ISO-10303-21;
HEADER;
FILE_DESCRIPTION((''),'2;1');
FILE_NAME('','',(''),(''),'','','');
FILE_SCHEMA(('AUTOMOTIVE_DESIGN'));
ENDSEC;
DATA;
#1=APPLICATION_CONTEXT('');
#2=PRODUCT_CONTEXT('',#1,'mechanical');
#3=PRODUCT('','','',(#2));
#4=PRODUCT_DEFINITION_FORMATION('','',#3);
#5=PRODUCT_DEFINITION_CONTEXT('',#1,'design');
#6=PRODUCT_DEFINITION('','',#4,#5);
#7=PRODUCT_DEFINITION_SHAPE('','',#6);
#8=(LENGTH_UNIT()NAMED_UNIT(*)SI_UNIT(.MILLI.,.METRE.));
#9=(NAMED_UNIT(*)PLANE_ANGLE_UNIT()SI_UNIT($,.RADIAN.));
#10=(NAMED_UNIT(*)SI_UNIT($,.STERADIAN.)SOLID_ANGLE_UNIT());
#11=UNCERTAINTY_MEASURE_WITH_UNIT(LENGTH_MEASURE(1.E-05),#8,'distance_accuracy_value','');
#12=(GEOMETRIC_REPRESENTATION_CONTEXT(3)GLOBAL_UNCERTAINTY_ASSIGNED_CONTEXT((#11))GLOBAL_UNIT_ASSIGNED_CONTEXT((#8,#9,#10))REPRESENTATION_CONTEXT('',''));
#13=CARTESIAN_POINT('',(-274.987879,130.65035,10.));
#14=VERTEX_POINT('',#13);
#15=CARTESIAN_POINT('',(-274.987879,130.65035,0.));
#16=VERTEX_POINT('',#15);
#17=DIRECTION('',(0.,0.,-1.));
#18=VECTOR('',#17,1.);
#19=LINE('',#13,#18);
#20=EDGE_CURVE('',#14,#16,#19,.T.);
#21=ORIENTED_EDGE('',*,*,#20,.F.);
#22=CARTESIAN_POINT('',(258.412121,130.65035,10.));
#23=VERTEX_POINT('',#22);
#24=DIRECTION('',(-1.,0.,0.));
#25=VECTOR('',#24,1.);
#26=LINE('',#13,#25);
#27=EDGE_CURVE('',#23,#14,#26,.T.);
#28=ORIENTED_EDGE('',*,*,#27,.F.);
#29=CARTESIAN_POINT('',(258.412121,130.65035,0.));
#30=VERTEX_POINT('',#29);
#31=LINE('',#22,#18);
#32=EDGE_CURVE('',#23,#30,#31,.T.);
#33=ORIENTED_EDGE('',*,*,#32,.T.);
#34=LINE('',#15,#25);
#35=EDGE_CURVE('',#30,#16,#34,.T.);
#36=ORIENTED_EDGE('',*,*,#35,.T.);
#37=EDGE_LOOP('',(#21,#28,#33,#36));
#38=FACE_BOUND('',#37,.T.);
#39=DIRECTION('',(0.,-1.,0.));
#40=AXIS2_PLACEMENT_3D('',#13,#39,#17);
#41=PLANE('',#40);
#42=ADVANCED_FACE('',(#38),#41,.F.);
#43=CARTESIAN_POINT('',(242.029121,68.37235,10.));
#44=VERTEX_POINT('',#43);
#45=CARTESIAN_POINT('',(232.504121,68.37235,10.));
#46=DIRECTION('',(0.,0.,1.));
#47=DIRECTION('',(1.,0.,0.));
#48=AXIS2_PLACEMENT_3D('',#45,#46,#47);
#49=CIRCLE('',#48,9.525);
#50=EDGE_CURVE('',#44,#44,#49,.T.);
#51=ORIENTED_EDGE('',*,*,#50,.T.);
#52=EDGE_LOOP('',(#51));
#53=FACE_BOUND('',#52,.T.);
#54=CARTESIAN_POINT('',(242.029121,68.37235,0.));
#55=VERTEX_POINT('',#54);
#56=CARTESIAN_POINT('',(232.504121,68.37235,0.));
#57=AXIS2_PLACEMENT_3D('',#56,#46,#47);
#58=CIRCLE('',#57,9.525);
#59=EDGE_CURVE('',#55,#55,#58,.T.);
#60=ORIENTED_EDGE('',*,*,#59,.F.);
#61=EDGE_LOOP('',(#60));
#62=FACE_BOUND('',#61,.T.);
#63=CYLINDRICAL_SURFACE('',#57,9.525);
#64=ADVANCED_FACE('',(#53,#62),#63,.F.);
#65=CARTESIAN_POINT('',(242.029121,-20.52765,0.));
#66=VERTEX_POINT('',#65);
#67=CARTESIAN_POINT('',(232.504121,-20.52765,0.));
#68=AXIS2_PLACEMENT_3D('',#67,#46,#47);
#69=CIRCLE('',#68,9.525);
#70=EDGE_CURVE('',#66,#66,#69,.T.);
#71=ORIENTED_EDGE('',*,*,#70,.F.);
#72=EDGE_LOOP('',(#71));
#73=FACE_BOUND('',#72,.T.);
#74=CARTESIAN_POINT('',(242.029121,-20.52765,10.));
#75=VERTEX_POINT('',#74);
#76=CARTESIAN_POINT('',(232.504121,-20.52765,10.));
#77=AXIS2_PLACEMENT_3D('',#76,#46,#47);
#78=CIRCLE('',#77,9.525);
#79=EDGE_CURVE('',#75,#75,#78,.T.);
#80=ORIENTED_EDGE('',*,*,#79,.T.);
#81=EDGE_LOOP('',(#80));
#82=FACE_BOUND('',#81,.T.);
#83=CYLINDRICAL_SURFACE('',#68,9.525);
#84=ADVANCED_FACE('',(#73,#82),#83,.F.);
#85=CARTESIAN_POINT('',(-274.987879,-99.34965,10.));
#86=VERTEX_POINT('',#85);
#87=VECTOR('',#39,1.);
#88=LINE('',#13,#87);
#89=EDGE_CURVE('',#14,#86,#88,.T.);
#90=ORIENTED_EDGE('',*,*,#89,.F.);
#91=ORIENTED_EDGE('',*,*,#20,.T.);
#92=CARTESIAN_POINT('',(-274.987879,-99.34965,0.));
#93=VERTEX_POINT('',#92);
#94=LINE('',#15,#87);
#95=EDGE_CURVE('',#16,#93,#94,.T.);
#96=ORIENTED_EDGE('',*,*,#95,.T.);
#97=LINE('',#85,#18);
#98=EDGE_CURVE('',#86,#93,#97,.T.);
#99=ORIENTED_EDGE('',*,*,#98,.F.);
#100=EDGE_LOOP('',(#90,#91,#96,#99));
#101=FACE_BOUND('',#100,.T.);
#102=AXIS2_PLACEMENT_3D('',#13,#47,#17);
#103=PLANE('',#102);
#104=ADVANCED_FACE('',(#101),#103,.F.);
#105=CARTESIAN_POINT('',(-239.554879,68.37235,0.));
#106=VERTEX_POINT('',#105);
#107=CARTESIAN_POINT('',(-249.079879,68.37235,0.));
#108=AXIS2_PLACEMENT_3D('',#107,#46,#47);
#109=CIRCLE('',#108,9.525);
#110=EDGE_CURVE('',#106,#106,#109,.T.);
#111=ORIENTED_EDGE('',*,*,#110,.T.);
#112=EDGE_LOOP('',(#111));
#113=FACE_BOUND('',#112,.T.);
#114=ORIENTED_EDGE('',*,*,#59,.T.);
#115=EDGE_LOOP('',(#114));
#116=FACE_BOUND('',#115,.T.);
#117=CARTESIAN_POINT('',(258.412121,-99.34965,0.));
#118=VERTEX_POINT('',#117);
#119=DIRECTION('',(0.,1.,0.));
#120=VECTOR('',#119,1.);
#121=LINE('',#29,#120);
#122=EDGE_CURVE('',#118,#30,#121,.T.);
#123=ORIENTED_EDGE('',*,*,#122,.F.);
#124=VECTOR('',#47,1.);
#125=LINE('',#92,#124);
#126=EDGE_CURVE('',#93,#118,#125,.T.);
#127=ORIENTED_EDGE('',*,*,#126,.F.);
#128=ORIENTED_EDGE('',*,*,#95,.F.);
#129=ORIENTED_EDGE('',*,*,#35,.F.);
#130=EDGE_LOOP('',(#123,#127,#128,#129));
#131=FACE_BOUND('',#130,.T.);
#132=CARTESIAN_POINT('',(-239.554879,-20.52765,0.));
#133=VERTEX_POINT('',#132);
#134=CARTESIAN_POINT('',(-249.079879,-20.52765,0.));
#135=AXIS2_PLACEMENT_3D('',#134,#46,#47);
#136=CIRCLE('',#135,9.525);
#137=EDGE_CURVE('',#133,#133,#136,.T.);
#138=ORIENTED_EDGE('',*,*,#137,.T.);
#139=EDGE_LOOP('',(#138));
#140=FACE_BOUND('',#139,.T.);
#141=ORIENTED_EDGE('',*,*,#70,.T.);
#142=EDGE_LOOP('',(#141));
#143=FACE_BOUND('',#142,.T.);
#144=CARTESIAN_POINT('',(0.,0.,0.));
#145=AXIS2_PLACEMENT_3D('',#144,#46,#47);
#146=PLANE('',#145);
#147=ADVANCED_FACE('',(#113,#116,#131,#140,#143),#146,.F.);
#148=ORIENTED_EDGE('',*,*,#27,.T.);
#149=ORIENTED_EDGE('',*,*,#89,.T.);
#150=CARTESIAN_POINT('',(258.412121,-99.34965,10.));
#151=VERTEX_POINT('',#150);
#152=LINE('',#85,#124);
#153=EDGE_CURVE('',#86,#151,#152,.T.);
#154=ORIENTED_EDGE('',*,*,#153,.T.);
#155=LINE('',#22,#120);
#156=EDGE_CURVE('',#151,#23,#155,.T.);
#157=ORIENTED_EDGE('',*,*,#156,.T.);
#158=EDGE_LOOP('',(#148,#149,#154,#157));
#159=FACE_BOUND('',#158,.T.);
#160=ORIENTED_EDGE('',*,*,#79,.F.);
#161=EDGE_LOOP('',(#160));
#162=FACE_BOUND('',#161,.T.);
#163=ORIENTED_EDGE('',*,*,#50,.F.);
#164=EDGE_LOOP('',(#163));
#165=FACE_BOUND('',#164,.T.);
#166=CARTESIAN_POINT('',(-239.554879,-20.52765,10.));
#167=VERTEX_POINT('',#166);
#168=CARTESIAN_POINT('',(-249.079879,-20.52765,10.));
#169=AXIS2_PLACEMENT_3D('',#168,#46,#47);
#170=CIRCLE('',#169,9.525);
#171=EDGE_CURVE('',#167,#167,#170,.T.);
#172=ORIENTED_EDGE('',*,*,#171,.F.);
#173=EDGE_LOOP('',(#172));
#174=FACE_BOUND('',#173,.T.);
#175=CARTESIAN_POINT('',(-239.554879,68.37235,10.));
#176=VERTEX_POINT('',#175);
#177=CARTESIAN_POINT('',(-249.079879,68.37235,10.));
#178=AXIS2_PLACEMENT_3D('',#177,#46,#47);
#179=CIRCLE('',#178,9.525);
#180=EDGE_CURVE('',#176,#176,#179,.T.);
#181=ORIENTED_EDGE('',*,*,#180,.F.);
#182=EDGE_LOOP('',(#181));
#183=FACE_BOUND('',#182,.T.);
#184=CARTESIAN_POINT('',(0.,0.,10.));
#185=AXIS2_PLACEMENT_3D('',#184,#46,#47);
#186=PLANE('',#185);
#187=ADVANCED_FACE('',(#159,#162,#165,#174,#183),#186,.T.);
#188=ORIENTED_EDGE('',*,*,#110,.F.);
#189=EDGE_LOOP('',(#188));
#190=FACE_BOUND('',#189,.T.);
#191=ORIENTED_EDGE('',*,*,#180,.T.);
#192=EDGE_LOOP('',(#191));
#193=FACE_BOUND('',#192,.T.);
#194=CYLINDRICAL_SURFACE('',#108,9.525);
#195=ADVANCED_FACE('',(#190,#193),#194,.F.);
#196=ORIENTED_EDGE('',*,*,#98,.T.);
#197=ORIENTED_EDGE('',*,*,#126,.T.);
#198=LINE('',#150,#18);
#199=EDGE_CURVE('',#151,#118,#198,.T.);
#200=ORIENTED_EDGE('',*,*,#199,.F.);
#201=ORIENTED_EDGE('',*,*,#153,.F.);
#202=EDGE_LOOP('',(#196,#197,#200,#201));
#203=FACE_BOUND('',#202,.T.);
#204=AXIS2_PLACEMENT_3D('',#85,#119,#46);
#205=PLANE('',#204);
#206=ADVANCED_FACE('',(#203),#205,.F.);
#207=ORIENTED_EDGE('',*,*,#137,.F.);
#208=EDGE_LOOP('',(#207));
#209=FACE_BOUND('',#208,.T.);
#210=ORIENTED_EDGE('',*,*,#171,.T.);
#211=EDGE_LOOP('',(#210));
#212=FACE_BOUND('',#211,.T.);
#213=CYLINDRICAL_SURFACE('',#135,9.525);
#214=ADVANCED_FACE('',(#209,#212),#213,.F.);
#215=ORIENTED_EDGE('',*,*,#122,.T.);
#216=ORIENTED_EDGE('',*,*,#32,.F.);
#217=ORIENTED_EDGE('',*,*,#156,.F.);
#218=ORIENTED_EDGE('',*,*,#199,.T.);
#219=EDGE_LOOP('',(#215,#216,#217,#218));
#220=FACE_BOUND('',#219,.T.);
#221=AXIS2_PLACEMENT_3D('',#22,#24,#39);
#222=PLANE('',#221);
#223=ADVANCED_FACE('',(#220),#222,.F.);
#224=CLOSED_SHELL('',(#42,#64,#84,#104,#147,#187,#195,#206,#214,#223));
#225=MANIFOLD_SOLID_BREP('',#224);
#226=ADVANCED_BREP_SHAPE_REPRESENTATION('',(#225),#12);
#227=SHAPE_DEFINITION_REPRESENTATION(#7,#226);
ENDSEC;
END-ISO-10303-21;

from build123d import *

# Parameters (mm, degrees)
SKETCH1_W           = 533.4
SKETCH1_H           = 230
BOSS_EXTRUDE1_DEPTH = 10
SKETCH2_R           = 9.525
CUT_EXTRUDE1_DEPTH  = 10


with BuildPart() as part:
    # Sketch1 → Boss-Extrude1 (new body)
    with BuildSketch(Plane.XY):
        with Locations((-8.287878788, 15.65034965)):
            Rectangle(SKETCH1_W, SKETCH1_H)
    extrude(amount=BOSS_EXTRUDE1_DEPTH)

    # Sketch2 → Cut-Extrude1 (cut)
    with BuildSketch(Plane.XY.offset(10)):
        with Locations((232.504121212, 68.37234965)):
            Circle(SKETCH2_R)
        with Locations((232.504121212, -20.52765035)):
            Circle(SKETCH2_R)
        with Locations((-249.079878788, 68.37234965)):
            Circle(SKETCH2_R)
        with Locations((-249.079878788, -20.52765035)):
            Circle(SKETCH2_R)
    extrude(amount=-CUT_EXTRUDE1_DEPTH, mode=Mode.SUBTRACT)


solid = part.part
